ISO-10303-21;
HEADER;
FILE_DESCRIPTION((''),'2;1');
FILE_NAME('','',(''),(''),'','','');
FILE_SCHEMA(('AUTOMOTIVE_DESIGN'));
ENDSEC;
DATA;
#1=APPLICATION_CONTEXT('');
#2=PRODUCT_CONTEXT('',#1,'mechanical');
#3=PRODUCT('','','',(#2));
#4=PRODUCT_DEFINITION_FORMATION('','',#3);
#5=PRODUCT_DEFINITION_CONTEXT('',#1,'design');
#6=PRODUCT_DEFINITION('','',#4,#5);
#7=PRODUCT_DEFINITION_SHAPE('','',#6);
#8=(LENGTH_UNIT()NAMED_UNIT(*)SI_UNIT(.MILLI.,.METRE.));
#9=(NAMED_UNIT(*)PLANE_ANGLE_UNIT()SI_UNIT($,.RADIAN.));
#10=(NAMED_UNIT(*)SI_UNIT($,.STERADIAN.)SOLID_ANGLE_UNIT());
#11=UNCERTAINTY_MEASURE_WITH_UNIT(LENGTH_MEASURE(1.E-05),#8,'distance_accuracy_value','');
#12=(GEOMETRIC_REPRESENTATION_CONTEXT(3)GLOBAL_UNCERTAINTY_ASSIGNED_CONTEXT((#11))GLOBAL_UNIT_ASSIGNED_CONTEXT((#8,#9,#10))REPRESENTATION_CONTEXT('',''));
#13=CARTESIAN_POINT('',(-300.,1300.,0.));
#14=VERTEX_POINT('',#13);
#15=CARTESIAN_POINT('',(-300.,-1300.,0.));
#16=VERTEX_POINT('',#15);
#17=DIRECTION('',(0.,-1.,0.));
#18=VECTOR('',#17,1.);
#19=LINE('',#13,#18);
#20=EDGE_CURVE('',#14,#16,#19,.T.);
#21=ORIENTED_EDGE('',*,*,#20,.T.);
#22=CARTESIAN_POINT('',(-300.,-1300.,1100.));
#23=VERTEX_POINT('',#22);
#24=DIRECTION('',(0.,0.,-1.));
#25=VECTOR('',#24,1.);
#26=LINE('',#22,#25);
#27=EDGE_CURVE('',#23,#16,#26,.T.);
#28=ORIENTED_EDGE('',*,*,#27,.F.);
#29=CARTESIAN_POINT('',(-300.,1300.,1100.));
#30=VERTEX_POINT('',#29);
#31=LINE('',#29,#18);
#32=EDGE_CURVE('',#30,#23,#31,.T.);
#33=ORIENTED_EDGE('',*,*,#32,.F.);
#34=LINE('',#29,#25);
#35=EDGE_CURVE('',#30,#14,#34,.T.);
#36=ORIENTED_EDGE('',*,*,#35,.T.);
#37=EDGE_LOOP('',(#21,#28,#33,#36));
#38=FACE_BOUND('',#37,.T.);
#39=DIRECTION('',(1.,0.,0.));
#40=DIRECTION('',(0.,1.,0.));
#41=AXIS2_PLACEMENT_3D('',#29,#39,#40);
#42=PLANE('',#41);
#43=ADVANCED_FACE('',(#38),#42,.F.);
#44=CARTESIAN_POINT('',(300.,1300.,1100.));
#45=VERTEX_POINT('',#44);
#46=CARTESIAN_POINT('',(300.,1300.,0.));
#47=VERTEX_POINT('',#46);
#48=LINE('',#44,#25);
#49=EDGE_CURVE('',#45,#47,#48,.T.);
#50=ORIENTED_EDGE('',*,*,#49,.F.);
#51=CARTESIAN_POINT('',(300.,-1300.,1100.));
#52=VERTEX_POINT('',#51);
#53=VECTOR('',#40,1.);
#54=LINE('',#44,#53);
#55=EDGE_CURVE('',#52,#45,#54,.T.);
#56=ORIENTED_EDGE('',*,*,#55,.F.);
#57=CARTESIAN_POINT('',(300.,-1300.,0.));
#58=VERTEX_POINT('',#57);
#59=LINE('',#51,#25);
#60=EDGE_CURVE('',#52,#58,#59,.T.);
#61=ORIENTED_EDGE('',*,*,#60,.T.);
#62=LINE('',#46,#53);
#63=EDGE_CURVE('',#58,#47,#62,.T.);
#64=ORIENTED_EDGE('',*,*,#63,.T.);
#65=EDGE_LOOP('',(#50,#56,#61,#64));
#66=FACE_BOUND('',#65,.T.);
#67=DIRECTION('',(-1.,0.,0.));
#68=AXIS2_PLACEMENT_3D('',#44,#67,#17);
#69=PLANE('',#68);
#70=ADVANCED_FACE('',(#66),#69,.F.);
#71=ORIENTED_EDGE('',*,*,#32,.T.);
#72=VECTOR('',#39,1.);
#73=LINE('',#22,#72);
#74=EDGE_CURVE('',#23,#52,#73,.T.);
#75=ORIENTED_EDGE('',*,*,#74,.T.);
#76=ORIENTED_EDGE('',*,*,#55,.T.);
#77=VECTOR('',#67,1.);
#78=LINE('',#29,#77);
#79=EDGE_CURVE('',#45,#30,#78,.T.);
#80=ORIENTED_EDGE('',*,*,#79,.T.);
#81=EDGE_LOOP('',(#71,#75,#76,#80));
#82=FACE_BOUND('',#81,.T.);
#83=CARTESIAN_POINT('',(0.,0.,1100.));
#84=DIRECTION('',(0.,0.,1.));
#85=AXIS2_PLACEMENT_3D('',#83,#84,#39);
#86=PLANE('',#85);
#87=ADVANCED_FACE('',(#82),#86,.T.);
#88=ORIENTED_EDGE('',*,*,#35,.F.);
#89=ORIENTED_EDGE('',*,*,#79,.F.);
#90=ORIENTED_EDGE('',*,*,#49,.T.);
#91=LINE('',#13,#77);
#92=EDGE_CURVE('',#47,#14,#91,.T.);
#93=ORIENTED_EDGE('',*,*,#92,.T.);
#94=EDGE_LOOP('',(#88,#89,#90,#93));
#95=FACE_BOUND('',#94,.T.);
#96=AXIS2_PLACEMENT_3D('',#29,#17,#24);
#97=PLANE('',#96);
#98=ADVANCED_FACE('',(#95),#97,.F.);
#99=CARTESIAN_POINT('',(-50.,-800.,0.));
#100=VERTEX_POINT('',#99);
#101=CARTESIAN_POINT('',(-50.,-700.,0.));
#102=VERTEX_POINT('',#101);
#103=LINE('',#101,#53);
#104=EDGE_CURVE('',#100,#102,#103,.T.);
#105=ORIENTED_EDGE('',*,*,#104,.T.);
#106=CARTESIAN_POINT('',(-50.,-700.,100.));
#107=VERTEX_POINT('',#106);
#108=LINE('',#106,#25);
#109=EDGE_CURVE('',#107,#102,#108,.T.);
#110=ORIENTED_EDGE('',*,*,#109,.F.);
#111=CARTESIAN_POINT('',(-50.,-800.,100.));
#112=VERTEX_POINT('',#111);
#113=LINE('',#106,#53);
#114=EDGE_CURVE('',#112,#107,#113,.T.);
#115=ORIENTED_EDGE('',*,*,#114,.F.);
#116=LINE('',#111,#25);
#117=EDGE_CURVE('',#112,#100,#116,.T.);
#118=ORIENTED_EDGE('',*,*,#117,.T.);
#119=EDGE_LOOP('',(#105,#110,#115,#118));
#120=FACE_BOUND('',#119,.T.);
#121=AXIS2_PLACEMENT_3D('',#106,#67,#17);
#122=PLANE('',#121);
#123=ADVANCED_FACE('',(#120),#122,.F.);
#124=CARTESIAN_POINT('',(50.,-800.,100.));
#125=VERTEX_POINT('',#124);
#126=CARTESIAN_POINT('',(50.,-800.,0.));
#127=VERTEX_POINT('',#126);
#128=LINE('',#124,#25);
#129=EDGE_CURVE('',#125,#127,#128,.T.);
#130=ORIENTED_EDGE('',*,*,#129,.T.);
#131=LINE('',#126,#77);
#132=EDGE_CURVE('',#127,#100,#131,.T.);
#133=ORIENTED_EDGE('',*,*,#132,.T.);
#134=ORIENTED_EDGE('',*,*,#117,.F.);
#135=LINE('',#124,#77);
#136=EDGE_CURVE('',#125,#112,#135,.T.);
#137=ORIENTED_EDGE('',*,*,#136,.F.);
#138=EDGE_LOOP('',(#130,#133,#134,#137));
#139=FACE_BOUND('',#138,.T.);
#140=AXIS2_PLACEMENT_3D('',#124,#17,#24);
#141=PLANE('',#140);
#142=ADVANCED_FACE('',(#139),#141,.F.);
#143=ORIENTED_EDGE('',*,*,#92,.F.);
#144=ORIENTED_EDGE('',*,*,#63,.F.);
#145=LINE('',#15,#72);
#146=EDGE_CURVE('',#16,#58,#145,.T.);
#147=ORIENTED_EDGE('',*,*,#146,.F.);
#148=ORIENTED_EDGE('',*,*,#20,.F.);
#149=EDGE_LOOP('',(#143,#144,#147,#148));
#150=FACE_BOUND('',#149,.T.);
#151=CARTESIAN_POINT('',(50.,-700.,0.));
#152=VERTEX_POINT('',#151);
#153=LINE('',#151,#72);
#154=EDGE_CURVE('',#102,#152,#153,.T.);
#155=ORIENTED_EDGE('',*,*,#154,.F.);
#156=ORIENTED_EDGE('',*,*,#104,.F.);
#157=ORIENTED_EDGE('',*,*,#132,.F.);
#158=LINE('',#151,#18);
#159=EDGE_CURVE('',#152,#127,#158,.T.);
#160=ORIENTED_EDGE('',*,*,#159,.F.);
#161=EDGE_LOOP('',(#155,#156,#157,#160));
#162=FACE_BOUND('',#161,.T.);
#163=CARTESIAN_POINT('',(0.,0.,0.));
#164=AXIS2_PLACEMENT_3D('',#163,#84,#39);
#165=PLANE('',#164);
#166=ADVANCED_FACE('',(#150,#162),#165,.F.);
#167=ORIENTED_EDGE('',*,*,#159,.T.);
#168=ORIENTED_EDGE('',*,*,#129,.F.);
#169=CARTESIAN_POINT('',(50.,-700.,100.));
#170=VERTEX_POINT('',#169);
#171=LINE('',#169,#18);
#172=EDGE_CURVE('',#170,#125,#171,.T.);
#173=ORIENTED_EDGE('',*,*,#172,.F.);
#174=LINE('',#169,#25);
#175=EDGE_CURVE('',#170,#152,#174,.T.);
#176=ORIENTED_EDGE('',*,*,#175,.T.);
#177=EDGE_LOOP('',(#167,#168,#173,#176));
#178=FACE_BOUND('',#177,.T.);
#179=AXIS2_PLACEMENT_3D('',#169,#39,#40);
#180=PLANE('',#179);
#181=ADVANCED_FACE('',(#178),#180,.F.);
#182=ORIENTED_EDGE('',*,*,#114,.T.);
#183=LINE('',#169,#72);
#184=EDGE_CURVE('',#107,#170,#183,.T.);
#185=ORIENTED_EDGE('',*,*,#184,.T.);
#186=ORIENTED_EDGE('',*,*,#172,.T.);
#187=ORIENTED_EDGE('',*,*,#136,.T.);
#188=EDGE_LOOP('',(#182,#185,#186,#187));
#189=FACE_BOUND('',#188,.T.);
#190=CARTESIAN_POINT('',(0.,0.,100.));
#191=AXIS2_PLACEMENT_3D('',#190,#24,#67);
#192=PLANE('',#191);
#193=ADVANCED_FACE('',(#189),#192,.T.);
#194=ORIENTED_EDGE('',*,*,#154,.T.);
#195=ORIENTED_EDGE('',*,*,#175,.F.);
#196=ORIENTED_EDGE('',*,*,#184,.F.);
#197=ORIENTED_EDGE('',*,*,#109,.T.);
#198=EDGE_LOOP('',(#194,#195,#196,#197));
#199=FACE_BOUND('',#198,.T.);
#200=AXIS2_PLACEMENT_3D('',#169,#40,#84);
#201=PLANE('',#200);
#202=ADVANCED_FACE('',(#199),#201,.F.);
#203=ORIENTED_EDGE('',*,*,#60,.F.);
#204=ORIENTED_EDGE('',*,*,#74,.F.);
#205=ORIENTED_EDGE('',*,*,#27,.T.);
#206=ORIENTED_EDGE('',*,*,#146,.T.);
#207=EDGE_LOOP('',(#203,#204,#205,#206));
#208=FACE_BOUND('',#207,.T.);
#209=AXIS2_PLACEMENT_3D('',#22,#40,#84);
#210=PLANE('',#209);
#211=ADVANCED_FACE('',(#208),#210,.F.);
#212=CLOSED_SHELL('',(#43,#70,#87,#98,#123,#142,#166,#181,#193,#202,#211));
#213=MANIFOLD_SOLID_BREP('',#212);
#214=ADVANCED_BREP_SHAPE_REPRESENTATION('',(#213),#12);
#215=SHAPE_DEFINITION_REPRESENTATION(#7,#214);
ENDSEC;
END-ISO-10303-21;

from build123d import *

# Parameters (mm, degrees)
SKETCH1_W           = 600
SKETCH1_H           = 2600
BOSS_EXTRUDE1_DEPTH = 1100
SKETCH2_W           = 100
SKETCH2_H           = 100
CUT_EXTRUDE1_DEPTH  = 100


with BuildPart() as part:
    # Sketch1 → Boss-Extrude1 (new body)
    with BuildSketch(Plane.XY):
        Rectangle(SKETCH1_W, SKETCH1_H)
    extrude(amount=BOSS_EXTRUDE1_DEPTH)

    # Sketch2 → Cut-Extrude1 (cut)
    with BuildSketch(Plane(origin=(0, 0, 0), x_dir=(-1, 0, 0), z_dir=(0, 0, -1))):
        with Locations((0, -750)):
            Rectangle(SKETCH2_W, SKETCH2_H)
    extrude(amount=-CUT_EXTRUDE1_DEPTH, mode=Mode.SUBTRACT)


solid = part.part
